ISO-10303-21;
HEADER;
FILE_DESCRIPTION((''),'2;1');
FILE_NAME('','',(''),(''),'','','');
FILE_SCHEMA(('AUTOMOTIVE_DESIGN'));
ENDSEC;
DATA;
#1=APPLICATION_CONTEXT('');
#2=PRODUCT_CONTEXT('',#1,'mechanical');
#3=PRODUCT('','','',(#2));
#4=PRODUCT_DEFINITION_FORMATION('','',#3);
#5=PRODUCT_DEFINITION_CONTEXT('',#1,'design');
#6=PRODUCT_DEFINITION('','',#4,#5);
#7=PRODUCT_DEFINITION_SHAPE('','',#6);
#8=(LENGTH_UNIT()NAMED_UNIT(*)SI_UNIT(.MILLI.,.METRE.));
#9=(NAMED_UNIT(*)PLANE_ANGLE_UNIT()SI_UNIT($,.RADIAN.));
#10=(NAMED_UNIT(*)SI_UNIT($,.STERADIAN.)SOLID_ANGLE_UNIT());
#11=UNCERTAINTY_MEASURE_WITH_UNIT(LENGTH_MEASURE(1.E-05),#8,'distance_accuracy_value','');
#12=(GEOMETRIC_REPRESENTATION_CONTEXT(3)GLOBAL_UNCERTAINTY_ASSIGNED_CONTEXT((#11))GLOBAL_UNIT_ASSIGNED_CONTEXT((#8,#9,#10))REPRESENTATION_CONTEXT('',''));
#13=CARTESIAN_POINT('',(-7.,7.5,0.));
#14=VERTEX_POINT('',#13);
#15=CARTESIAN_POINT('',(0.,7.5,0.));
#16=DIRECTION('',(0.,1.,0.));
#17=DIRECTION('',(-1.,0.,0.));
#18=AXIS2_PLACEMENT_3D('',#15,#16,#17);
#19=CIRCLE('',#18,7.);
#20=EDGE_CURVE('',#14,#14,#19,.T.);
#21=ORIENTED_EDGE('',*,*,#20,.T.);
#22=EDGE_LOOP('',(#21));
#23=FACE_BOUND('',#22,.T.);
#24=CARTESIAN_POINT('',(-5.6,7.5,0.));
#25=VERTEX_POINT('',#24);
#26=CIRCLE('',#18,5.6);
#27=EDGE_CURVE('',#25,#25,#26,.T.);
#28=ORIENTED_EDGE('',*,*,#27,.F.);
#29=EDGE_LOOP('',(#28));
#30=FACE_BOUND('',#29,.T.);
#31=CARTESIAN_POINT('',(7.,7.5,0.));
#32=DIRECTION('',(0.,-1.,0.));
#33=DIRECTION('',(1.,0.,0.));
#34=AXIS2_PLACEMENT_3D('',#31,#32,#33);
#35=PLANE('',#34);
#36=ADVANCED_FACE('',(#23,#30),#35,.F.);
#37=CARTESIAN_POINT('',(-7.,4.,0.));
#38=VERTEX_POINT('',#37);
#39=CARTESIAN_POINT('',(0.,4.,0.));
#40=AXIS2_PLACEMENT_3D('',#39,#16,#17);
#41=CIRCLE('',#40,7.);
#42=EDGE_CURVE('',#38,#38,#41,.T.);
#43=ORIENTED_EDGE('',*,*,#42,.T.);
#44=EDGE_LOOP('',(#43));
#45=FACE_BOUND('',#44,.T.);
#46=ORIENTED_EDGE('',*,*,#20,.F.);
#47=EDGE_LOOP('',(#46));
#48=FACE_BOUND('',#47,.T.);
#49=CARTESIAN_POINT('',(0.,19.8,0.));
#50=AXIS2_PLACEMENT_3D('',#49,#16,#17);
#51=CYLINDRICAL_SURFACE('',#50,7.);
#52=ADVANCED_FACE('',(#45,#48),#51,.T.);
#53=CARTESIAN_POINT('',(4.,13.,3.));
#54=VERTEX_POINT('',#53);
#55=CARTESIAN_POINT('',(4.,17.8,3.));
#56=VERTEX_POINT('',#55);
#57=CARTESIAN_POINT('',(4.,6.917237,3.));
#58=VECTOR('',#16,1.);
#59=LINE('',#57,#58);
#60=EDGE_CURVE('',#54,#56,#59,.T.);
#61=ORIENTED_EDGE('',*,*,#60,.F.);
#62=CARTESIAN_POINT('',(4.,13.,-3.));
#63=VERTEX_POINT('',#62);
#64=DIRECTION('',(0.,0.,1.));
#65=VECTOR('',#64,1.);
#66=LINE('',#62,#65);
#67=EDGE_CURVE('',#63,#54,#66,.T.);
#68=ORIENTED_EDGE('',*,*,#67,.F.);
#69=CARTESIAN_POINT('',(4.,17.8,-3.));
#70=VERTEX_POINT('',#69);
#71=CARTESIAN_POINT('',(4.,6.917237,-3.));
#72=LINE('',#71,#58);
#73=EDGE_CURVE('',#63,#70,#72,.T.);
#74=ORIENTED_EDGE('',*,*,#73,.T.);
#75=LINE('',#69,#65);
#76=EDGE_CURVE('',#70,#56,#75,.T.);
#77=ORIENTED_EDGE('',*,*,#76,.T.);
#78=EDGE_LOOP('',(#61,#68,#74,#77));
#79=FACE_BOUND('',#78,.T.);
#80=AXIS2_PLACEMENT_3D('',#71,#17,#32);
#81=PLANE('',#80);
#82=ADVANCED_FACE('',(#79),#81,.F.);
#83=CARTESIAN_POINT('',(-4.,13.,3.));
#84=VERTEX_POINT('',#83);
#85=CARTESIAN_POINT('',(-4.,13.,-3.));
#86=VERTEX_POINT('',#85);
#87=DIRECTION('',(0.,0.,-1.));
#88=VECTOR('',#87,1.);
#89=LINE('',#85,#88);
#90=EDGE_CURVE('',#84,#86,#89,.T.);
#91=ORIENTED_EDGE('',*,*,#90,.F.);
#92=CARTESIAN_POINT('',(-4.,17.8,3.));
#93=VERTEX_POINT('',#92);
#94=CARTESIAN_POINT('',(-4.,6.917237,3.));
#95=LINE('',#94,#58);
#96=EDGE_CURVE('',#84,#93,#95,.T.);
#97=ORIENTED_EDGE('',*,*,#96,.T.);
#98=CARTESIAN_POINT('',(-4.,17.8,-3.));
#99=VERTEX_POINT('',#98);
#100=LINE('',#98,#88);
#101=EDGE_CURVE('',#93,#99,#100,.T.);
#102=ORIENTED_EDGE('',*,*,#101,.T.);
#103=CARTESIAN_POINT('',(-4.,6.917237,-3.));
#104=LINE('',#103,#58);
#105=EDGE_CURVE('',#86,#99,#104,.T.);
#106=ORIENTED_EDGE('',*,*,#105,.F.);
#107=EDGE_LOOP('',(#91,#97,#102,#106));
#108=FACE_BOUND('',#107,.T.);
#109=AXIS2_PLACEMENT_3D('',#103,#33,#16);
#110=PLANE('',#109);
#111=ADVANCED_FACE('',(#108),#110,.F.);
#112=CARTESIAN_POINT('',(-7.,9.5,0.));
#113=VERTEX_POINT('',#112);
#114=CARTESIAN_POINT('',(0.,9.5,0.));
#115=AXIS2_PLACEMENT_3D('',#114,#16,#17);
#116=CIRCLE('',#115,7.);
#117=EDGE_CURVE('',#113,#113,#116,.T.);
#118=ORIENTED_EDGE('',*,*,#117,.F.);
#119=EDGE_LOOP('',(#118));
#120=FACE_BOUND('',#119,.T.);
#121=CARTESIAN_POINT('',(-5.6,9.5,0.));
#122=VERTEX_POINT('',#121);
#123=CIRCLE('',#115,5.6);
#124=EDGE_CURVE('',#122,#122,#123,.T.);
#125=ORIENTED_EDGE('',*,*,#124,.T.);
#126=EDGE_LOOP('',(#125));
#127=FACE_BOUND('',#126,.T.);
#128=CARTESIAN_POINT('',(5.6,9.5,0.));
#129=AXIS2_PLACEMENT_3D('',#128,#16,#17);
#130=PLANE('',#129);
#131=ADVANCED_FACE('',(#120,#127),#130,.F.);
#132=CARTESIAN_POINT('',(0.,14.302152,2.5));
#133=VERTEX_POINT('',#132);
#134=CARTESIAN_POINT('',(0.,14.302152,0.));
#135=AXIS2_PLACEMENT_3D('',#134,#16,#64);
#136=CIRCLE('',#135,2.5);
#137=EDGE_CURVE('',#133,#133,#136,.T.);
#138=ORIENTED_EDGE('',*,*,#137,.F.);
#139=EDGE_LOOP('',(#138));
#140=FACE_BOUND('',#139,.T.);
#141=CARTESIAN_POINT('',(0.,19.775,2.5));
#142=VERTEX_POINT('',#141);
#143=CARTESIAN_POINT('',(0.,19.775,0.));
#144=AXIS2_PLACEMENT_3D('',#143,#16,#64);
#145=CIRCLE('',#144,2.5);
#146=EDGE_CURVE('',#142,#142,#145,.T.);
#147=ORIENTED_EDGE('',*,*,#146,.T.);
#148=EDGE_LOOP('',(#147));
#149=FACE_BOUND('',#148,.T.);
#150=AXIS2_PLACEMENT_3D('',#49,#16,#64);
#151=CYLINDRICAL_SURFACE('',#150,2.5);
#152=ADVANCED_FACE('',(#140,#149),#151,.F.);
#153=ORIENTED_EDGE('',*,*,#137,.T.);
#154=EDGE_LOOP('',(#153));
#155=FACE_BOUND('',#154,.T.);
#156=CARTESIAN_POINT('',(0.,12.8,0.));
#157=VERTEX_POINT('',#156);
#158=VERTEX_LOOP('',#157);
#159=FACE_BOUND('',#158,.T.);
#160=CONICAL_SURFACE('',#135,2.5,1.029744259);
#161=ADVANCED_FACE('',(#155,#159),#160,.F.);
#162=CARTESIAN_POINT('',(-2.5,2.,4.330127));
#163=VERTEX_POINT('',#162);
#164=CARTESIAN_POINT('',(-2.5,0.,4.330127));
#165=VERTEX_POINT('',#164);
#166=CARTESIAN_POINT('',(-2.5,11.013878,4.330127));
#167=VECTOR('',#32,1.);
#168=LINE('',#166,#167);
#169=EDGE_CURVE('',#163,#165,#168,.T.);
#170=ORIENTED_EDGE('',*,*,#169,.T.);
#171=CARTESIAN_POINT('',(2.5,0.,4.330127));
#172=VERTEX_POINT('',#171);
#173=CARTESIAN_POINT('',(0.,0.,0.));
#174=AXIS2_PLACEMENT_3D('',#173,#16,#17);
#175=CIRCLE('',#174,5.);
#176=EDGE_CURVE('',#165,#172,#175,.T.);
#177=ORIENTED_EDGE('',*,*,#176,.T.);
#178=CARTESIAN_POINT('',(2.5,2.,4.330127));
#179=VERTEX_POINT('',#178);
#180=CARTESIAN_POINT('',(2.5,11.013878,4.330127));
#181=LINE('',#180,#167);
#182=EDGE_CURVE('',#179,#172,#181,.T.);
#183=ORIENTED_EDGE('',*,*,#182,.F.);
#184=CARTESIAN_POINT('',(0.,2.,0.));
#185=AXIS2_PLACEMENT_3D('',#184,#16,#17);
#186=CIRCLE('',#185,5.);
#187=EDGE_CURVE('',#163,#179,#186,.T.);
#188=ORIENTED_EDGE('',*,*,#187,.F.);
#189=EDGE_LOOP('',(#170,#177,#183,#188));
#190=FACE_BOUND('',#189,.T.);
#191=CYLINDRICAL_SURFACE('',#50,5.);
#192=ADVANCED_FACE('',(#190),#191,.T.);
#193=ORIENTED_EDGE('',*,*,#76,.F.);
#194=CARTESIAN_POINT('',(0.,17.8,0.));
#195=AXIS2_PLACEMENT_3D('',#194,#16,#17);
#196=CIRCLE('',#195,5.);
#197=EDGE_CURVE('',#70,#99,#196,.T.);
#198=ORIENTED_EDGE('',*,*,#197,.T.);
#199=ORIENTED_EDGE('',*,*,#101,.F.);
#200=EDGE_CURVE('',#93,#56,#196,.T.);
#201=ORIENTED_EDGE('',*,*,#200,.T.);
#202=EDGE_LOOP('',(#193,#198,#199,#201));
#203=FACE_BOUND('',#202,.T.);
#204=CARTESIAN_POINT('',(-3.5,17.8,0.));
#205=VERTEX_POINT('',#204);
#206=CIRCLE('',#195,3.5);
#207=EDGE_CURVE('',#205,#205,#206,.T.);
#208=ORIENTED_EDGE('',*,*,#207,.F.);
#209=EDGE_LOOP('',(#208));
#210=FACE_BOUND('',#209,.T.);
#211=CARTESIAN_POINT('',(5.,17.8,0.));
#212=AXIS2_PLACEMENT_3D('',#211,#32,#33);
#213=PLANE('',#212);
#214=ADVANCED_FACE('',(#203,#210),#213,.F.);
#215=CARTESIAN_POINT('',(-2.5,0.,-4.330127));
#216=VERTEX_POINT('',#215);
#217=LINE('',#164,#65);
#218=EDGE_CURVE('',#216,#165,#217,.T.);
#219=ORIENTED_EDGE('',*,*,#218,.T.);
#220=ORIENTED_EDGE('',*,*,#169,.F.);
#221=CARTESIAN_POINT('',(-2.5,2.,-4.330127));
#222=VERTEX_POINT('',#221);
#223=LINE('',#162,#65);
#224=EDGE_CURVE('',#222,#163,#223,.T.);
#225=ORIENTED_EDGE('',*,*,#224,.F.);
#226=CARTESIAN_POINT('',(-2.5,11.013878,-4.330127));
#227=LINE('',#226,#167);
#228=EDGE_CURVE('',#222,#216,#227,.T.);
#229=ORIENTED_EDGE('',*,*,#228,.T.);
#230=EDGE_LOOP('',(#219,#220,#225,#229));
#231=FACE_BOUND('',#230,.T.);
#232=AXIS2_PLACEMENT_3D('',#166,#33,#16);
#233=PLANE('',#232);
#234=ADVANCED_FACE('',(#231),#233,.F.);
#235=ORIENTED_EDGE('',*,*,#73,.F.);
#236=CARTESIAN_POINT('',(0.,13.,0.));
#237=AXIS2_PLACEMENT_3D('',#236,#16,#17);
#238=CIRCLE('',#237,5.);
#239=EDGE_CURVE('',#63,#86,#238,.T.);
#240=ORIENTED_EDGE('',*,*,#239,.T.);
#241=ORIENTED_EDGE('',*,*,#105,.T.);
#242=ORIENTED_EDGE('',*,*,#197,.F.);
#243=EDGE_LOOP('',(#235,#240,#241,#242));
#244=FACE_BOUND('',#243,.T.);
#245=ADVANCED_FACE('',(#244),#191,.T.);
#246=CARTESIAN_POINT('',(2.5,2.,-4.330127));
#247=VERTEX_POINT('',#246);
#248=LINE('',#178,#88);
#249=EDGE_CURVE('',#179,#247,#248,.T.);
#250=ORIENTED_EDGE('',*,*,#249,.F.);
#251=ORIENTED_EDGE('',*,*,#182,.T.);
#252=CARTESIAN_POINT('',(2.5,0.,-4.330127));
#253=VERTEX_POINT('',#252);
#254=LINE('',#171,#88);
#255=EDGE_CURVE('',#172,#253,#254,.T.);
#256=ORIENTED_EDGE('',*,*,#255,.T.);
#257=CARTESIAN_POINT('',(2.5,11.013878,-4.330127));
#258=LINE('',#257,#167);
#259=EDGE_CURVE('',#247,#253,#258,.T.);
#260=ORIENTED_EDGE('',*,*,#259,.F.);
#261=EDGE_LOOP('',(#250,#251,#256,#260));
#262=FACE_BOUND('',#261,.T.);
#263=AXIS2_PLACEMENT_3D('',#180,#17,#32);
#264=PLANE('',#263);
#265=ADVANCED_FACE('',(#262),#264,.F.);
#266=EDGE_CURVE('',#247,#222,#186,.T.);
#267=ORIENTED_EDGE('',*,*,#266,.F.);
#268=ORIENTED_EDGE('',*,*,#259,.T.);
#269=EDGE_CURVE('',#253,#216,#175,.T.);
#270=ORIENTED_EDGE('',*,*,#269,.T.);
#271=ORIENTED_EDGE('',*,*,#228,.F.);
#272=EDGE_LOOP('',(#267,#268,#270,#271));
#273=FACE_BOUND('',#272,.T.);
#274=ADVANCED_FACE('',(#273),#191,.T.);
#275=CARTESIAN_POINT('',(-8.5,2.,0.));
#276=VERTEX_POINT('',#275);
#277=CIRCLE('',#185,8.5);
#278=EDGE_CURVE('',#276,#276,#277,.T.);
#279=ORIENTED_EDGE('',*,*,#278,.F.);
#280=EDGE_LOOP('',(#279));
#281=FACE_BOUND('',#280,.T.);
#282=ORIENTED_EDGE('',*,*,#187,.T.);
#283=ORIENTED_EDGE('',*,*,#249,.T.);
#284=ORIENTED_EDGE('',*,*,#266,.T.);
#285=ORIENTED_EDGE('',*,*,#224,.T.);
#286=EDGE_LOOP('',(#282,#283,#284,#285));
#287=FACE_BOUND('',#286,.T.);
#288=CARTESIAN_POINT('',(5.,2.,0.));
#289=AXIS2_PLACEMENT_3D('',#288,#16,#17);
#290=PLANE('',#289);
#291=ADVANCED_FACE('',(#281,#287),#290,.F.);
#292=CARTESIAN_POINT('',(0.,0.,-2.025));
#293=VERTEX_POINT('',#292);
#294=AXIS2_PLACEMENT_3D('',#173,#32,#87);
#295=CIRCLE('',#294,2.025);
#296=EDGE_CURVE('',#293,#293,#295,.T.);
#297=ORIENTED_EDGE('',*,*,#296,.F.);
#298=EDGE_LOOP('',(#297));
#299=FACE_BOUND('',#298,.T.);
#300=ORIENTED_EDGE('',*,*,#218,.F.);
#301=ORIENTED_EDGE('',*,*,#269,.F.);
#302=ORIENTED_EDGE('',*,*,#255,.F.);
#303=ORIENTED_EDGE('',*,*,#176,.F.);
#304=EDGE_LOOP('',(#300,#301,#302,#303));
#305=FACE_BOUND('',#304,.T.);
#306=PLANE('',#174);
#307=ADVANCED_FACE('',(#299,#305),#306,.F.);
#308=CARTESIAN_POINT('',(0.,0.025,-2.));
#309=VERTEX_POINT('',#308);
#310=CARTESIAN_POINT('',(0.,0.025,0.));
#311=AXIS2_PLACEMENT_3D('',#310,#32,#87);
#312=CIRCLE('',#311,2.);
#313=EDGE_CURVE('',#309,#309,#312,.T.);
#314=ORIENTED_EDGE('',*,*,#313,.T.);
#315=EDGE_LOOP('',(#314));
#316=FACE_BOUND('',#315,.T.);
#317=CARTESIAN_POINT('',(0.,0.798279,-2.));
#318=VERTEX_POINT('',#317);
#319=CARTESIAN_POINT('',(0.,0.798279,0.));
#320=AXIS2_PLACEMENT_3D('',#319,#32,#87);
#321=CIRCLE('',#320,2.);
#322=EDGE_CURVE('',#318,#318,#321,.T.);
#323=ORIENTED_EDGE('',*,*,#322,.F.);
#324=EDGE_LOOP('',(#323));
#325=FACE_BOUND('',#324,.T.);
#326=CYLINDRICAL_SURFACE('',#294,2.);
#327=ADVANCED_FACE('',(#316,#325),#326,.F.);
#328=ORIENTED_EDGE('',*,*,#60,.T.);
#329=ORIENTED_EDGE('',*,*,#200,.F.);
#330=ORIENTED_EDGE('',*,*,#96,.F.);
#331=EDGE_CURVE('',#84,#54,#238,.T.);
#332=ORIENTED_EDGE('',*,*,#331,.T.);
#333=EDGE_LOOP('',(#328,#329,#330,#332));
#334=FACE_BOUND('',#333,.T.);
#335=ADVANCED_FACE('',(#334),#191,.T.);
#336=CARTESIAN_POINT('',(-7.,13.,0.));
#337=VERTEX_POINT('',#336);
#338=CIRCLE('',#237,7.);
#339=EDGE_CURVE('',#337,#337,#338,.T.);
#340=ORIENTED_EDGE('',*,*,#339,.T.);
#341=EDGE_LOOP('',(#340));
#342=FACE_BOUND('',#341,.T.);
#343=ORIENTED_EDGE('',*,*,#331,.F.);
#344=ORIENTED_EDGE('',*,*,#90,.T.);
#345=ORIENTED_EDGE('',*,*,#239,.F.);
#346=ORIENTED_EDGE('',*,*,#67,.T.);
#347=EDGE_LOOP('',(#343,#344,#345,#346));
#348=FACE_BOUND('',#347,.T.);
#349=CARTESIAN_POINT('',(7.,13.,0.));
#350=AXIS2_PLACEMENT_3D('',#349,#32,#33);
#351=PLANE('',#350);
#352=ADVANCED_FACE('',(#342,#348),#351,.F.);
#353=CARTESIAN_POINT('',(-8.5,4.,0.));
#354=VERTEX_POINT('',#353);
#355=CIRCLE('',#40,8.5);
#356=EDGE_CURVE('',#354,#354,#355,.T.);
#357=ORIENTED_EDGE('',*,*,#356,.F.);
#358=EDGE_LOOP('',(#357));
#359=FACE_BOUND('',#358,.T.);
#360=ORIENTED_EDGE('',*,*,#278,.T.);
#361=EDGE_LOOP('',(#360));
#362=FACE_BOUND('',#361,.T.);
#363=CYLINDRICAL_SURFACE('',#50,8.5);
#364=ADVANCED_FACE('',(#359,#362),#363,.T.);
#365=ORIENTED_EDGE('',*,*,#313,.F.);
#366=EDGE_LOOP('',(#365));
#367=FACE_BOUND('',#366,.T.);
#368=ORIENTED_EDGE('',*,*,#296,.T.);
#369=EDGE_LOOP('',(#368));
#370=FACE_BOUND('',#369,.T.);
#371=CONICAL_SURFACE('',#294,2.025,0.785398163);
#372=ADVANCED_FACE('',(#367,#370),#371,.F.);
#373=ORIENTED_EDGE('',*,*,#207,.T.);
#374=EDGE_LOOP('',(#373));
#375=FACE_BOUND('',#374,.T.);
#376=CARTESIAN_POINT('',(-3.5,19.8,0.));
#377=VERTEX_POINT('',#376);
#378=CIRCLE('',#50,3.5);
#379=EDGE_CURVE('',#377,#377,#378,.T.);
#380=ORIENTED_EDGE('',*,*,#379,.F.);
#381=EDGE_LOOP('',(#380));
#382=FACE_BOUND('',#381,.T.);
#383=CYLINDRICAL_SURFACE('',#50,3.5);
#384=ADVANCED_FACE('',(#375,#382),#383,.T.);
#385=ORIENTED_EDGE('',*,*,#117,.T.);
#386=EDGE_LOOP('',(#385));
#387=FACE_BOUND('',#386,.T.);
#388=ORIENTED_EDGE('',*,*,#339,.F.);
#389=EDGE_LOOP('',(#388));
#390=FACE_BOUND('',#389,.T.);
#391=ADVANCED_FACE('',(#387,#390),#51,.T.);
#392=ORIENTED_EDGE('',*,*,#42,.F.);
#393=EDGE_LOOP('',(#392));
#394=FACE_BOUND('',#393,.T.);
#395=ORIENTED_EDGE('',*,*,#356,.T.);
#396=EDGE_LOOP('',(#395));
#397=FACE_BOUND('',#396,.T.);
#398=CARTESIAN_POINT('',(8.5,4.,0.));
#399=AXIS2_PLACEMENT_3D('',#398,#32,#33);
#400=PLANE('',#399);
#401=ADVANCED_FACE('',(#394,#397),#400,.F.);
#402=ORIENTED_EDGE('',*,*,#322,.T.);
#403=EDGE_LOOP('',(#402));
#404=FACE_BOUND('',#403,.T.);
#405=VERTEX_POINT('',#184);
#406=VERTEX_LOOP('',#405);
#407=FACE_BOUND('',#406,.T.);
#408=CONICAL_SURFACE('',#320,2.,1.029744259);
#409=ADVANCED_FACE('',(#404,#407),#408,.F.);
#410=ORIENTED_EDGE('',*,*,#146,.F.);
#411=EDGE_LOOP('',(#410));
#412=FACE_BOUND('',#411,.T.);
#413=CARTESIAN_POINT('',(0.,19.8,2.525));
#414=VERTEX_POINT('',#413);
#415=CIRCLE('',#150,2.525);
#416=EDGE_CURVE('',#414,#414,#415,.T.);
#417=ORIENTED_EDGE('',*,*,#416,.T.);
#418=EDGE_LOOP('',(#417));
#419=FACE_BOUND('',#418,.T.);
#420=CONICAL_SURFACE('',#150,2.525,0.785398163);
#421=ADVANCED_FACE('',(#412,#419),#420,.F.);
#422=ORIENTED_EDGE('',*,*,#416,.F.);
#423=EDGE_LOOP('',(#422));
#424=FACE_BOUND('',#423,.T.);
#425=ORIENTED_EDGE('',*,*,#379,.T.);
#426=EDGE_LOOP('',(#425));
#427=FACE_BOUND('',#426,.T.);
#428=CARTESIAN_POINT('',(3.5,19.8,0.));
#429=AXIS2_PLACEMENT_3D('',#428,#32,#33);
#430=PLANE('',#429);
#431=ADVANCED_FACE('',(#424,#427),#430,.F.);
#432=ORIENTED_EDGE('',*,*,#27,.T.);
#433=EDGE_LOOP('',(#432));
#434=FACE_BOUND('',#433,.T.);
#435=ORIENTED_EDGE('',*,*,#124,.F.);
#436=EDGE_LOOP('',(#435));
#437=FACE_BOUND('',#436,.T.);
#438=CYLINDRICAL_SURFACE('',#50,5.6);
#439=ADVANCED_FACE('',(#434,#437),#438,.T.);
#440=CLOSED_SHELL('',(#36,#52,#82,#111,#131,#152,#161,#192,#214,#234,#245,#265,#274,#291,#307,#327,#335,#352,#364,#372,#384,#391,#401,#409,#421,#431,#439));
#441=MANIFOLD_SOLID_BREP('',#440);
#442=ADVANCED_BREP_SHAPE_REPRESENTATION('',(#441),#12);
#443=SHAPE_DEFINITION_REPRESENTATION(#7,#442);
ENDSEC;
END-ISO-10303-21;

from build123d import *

# Parameters (mm, degrees)
CUT_EXTRUDE_1_DEPTH = 4.8
CUT_EXTRUDE_START   = -2
CUT_EXTRUDE_2_DEPTH = 2
MM_1_D              = 5
MM_1_DEPTH          = 5.497848452
MM_1_CSINK_D        = 5.05
MM_1_CSINK_ANGLE    = 90
MM_1_TIP            = 1.502151548


with BuildPart() as part:
    # 草图1 → 旋转1 (revolve)
    with BuildSketch(Plane.XY, mode=Mode.PRIVATE) as revolve_1_sk:
        Polygon((0, 0), (5, 0), (5, 2), (8.5, 2), (8.5, 4), (7, 4), (7, 7.5), (5.6, 7.5), (5.6, 9.5), (7, 9.5), (7, 13), (5, 13), (5, 17.8), (3.5, 17.8), (3.5, 19.8), (0, 19.8), align=None)
    revolve(revolve_1_sk.sketch.rotate(Axis((0, 19.8, 0), (0, -1, 0)), 180), axis=Axis((0, 19.8, 0), (0, -1, 0)))

    # 草图3 → 切除-拉伸1 (cut)
    with BuildSketch(Plane(origin=(0, 17.8, 0), x_dir=(1, 0, 0), z_dir=(0, 1, 0))):
        with BuildLine():
            Line((-4, 3), (-4, -3))
            ThreePointArc((-4, -3), (-5, 0), (-4, 3))
        make_face()
        with BuildLine():
            Line((4, 3), (4, -3))
            ThreePointArc((4, -3), (5, 0), (4, 3))
        make_face()
    extrude(amount=-CUT_EXTRUDE_1_DEPTH, mode=Mode.SUBTRACT)

    # 草图4 → 切除-拉伸2 (cut)
    with BuildSketch(Plane.XZ.offset(CUT_EXTRUDE_START)):
        with BuildLine():
            Line((-2.5, 4.330127019), (-2.5, -4.330127019))
            ThreePointArc((-2.5, -4.330127019), (-5, 0), (-2.5, 4.330127019))
        make_face()
        with BuildLine():
            Line((2.5, 4.330127019), (2.5, -4.330127019))
            ThreePointArc((2.5, -4.330127019), (5, 0), (2.5, 4.330127019))
        make_face()
    extrude(amount=CUT_EXTRUDE_2_DEPTH, mode=Mode.SUBTRACT)

    # 草图6 → 大小mm 暗销孔2 (revolve, cut)
    with BuildSketch(Plane(origin=(0, 0, 0), x_dir=(0, 0, -1), z_dir=(1, 0, 0))):
        Polygon((0, 0), (0, 2), (2, 0.798278762), (2, 0.025), (2.025, 0), align=None)
    revolve(axis=Axis((0, -6.35, 0), (0, 1, 0)), mode=Mode.SUBTRACT)

    # 大小mm 暗销孔1
    with Locations(Plane(origin=(0, 19.8, 0), x_dir=(1, 0, 0), z_dir=(0, 1, 0))):
        with Locations((0, 0)):
            CounterSinkHole(MM_1_D / 2, MM_1_CSINK_D / 2, depth=MM_1_DEPTH, counter_sink_angle=MM_1_CSINK_ANGLE)
            with Locations((0, 0, -(MM_1_DEPTH + MM_1_TIP / 2))):  # 118° drill point
                Cone(0, MM_1_D / 2, MM_1_TIP, mode=Mode.SUBTRACT)


solid = part.part
